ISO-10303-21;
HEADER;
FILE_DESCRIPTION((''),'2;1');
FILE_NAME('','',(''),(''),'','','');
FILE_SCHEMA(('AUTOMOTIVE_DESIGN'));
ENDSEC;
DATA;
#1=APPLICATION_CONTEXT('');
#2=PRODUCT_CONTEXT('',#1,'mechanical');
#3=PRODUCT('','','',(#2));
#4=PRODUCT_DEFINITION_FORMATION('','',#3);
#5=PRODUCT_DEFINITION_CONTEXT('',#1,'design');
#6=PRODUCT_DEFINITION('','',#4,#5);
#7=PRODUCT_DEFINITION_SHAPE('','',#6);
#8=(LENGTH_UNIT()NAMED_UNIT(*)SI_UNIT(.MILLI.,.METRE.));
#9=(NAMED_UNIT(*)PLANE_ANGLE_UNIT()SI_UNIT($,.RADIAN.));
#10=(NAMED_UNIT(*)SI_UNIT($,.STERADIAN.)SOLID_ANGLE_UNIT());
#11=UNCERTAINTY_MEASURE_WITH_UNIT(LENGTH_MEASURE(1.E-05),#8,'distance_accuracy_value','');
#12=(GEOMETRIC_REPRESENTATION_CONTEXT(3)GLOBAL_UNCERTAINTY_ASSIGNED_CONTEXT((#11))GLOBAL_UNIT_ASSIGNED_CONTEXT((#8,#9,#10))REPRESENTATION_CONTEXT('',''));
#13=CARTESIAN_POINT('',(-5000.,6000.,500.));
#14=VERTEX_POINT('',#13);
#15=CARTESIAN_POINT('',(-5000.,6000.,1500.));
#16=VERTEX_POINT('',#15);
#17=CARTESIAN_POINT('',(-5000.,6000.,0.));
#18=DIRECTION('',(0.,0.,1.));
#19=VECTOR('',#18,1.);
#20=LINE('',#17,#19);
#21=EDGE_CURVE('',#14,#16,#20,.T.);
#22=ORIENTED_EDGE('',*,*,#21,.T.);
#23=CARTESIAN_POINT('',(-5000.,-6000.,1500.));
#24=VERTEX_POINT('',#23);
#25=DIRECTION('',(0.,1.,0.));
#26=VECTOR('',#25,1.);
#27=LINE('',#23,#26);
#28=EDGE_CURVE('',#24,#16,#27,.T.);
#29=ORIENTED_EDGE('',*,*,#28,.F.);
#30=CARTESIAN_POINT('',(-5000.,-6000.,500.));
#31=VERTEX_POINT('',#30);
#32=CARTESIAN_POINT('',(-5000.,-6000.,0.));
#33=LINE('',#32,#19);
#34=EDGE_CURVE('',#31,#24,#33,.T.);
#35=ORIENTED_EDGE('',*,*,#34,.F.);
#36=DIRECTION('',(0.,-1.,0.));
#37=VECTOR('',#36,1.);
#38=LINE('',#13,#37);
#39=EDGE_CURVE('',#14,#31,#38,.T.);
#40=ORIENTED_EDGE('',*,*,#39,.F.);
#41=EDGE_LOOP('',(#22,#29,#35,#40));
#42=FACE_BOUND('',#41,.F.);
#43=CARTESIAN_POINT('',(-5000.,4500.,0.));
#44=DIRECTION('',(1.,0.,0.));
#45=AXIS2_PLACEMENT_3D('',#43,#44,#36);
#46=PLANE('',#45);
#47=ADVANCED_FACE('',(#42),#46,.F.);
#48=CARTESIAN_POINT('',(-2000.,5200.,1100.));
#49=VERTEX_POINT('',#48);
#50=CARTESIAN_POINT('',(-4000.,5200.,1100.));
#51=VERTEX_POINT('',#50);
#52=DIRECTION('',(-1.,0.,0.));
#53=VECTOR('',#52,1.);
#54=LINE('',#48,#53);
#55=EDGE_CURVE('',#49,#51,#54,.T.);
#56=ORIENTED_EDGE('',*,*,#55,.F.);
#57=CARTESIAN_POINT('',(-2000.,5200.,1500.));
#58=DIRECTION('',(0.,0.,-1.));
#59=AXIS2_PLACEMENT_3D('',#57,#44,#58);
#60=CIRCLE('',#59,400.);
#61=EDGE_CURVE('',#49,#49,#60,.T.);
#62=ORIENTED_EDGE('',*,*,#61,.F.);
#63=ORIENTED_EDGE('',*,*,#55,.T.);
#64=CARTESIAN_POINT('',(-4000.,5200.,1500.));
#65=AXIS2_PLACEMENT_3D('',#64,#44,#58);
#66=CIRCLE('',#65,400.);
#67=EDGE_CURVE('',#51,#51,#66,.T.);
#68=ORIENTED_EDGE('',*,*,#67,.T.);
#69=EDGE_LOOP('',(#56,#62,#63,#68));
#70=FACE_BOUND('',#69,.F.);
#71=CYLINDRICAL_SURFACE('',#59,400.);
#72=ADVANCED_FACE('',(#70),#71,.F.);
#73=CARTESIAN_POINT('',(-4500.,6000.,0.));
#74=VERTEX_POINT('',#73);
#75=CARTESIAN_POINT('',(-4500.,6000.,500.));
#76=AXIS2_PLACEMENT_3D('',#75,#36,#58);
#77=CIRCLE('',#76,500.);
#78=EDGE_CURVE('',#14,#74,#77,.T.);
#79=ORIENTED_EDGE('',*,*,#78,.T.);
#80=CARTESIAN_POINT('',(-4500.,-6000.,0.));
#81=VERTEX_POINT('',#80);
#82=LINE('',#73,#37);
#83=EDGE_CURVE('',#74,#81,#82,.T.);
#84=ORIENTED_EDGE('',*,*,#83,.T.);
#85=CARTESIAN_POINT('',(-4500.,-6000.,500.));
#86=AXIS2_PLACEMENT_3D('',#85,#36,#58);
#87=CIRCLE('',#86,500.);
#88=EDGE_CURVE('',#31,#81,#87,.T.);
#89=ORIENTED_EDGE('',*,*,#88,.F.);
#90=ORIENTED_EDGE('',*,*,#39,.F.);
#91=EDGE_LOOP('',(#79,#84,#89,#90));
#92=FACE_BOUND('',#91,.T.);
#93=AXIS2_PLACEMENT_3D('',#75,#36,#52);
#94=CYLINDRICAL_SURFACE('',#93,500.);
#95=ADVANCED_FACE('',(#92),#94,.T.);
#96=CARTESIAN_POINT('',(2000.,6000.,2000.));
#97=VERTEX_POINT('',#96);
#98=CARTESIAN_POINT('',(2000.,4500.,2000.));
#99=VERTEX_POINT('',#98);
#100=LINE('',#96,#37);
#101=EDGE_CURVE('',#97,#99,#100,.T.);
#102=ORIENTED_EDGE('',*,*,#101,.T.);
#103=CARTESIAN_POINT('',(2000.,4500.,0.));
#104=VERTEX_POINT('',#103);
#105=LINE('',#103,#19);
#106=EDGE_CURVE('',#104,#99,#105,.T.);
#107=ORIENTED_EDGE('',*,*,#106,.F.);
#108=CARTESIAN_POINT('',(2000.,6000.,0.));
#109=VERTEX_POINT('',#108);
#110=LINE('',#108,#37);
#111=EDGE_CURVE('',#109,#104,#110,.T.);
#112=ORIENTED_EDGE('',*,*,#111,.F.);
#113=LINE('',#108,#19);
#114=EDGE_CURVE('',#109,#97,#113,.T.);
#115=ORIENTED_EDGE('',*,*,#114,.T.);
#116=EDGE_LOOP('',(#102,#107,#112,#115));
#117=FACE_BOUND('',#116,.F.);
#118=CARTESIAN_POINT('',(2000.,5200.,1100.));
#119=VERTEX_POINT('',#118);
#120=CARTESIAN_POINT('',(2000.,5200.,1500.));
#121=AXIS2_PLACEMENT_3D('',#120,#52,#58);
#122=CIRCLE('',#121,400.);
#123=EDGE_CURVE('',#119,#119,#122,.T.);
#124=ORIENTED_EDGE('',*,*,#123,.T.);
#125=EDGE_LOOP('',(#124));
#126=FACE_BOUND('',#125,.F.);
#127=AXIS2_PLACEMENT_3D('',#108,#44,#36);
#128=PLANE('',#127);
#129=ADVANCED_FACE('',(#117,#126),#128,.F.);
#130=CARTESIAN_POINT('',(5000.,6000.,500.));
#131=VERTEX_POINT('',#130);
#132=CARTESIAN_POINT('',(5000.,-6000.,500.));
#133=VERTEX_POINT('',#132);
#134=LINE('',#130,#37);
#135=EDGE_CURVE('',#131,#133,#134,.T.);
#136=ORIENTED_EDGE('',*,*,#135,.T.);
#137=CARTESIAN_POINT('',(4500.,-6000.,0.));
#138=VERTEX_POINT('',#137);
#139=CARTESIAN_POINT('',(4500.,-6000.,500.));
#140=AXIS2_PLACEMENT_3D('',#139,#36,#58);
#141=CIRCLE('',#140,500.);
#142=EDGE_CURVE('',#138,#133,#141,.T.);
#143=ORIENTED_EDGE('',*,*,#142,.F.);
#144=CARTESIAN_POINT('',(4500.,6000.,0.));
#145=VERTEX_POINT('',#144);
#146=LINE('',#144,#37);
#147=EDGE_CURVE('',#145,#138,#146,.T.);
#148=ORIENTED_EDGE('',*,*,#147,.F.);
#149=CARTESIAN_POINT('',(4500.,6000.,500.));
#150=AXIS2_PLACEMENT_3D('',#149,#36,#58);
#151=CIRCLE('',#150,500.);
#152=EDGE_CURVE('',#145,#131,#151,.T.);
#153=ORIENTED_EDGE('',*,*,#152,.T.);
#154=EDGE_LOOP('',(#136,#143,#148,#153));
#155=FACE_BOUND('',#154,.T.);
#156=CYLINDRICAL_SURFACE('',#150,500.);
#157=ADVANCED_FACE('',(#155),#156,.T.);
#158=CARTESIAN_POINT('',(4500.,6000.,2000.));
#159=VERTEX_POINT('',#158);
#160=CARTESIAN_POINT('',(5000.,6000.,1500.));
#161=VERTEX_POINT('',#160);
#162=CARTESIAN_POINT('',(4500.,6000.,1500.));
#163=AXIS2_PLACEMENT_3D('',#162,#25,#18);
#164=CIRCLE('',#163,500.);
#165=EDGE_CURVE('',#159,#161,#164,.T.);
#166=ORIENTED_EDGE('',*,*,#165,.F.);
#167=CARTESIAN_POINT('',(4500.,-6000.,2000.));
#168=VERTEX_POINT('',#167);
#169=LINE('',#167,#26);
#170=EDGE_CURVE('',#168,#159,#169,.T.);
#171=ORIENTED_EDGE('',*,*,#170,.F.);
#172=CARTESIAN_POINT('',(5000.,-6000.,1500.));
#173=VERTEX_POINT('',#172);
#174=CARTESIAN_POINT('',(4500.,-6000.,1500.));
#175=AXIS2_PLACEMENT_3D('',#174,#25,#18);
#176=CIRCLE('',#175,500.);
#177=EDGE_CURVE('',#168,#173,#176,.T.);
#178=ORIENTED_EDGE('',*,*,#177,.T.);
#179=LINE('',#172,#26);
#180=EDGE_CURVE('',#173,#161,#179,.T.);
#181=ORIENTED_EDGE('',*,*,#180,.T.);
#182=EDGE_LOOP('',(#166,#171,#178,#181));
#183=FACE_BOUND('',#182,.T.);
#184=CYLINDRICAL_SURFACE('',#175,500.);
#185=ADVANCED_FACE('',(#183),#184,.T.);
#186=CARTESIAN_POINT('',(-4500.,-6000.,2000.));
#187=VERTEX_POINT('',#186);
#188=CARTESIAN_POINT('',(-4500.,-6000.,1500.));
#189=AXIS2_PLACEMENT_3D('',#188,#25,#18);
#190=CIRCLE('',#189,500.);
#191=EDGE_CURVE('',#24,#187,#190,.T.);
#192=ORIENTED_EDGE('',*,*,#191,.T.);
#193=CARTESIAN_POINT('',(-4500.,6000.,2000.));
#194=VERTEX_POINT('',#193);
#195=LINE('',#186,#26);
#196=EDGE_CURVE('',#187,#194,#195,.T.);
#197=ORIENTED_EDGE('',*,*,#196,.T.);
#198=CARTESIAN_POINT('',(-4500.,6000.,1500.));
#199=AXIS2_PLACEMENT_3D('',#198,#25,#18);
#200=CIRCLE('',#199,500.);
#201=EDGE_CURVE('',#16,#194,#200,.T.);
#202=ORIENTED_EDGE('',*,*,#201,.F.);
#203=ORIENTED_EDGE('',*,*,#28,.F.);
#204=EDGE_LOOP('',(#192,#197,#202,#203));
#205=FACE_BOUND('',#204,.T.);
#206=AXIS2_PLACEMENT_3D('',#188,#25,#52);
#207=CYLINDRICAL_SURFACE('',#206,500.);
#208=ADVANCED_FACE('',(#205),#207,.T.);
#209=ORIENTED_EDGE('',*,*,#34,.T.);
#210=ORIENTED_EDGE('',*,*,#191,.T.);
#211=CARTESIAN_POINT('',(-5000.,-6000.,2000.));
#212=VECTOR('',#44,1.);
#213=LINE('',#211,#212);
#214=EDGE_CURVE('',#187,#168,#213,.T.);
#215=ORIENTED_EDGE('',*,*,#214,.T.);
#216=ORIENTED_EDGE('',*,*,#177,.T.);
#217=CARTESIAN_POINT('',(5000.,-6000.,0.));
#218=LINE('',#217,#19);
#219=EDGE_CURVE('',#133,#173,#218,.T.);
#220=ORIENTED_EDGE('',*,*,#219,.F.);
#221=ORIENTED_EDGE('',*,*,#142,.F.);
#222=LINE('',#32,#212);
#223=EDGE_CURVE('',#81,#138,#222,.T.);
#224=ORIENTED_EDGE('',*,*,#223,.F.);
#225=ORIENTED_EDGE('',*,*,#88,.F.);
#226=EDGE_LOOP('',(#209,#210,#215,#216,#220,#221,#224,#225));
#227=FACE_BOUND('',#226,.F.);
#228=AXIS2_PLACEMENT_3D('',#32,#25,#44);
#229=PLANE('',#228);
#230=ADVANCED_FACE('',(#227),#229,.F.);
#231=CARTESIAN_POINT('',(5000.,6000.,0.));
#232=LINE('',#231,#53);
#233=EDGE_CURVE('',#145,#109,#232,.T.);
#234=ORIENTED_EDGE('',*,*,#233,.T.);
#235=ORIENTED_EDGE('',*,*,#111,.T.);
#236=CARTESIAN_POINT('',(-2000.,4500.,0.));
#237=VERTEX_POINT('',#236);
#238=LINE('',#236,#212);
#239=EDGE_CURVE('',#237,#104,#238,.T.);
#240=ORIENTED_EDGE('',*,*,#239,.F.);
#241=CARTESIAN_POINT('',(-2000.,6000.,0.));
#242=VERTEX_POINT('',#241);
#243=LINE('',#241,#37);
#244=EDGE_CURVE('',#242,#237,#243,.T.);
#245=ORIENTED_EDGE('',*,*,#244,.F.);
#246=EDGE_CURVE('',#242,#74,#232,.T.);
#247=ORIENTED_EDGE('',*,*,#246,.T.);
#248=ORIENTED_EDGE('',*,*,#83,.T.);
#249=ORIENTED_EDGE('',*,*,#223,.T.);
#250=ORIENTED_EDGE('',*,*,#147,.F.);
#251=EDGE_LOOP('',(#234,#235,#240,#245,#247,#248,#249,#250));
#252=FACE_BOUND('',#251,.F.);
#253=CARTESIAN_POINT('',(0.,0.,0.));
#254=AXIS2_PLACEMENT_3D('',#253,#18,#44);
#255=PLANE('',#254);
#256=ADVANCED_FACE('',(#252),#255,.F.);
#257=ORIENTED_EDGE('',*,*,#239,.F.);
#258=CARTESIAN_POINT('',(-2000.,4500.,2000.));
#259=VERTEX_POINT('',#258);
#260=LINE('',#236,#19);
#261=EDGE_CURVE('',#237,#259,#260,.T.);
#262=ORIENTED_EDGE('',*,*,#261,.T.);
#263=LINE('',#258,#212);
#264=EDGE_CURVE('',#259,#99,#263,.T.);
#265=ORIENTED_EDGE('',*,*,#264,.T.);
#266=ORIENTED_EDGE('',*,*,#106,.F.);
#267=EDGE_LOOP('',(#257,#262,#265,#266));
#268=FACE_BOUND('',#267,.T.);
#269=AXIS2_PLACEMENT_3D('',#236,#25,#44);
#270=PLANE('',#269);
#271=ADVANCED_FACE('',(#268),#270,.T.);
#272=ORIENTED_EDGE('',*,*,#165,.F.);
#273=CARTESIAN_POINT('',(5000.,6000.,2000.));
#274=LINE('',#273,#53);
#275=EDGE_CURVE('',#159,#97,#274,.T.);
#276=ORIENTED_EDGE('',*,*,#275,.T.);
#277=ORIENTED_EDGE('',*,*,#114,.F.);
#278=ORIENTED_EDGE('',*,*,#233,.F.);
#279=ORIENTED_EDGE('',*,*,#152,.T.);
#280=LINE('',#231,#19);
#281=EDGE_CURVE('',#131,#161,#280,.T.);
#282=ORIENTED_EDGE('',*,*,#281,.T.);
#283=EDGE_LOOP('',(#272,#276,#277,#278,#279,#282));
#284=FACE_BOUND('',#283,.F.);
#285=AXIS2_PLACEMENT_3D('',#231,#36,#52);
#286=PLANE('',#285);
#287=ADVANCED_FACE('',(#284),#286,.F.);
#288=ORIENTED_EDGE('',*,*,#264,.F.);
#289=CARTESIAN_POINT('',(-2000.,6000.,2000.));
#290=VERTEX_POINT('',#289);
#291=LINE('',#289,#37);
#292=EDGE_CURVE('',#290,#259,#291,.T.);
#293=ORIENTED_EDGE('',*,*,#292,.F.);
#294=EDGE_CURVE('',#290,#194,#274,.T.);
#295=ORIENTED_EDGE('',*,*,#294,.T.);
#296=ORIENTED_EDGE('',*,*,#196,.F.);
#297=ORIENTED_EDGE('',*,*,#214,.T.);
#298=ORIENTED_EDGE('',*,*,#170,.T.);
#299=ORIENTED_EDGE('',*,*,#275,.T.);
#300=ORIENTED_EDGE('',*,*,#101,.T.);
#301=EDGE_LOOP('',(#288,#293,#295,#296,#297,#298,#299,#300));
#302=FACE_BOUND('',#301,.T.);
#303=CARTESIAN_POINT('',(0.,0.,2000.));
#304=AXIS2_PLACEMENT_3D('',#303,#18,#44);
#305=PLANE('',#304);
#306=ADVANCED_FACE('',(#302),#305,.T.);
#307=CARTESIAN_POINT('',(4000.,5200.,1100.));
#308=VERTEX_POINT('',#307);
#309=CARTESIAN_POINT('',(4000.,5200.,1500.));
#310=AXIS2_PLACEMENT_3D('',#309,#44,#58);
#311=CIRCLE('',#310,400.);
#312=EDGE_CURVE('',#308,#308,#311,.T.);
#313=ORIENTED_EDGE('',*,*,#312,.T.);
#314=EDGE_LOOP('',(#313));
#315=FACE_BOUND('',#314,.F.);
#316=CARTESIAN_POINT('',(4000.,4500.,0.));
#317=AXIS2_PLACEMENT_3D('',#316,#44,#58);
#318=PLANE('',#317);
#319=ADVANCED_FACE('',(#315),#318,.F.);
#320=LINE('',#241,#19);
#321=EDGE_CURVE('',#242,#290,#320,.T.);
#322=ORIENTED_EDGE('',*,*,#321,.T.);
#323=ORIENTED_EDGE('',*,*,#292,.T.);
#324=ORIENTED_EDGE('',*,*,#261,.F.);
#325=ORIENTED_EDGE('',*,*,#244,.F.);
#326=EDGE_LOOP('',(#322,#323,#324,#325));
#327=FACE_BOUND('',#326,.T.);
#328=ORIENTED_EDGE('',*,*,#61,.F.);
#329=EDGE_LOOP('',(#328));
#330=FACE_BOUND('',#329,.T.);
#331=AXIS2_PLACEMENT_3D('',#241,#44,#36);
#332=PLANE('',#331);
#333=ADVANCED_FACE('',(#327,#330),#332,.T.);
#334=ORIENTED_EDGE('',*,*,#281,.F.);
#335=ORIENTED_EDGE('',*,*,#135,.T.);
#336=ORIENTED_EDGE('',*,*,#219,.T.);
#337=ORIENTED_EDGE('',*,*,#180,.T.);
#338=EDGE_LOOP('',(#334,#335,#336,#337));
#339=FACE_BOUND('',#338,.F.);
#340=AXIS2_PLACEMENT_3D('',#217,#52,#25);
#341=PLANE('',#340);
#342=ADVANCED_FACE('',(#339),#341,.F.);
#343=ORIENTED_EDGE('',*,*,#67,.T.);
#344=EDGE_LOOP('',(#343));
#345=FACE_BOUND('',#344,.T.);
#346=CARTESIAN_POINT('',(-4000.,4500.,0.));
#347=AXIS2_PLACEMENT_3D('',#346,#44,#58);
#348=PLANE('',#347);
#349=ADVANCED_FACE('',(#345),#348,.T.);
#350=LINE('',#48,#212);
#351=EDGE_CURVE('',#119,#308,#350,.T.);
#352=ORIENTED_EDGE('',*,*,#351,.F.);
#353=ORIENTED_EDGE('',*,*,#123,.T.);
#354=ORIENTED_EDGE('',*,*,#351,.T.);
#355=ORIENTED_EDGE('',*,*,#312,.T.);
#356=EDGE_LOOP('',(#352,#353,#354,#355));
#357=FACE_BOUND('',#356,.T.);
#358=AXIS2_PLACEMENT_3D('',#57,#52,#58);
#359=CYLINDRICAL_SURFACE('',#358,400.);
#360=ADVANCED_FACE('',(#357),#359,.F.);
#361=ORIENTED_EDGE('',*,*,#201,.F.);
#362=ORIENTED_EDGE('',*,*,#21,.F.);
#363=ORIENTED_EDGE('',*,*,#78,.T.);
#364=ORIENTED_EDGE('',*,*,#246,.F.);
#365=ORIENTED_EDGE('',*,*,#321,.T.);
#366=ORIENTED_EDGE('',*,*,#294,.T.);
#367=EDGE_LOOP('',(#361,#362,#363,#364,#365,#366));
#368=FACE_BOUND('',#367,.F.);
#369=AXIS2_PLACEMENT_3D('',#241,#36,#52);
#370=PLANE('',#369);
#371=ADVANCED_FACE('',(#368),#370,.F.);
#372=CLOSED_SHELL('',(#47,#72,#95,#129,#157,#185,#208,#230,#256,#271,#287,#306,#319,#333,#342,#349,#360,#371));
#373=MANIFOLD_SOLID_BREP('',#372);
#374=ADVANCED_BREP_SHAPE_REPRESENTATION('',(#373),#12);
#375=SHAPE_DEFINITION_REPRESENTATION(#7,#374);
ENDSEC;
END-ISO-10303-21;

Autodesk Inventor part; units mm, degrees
ref_plane "YZ Plane" through (0, 0, 0) normal (1, 0, 0) x (0, 1, 0)
ref_plane "XZ Plane" through (0, 0, 0) normal (0, 1, 0) x (-1, 0, 0)
ref_plane "XY Plane" through (0, 0, 0) normal (0, 0, 1) x (1, 0, 0)
sketch "Skizze1" plane through (0, 0, 0) normal (0, 0, 1) x (1, 0, 0)
  line L0 (-7000, 0) -> (7000, 0) construction
  line L1 (0, -8400) -> (0, 8400) construction
  line L2 (-5000, -6000) -> (5000, -6000)
  line L3 (5000, -6000) -> (5000, 6000)
  line L4 (5000, 6000) -> (-5000, 6000)
  line L5 (-5000, 6000) -> (-5000, -6000)
  line L6 (-5000, -6000) -> (5000, 6000) construction
  line L7 (5000, -6000) -> (-5000, 6000) construction
  line L8 (5000, 6000) -> (2000, 6000)
  line L9 (5000, 4500) -> (5000, 6000)
  line L10 (-5000, 6000) -> (-5000, 6000)
  line L11 (-5000, 6000) -> (-5000, 4500)
  line L12 (5000, 6000) -> (2000, 6000)
  line L13 (2000, 6000) -> (2000, 4500)
  line L14 (5000, 4500) -> (5000, 6000)
  line L15 (-5000, 6000) -> (-2000, 6000)
  line L16 (-2000, 6000) -> (-2000, 4500)
  line L17 (-5000, 4500) -> (-5000, 6000)
  line L18 (-2000, 4500) -> (2000, 4500)
  point P0 (0, 0)
  dimension "d5" = 12000
  dimension "d6" = 3000
  dimension "d7" = 3000
extrude "Extrusion1" add sketch "Skizze1" along normal blind 2000 contours L5 L4 L16 L18 L13 L3 L2
sketch "Skizze2" plane through (-2000, 4500, 0) normal (1, 0, 0) x (0, 0, -1)
  circle A0 centre (-1500, 700) radius 400
  line L0 (0, -10500) -> (0, 1500) construction
  line L1 (0, 0) -> (-2000, 0) construction
  point P0 (0, -4500)
  point P1 (-1000, 0)
extrude "Extrusion2" cut sketch "Skizze2" against normal blind 2000
extrude "Extrusion3" cut sketch "Skizze2" along normal blind 6000
sketch "Skizze3" plane through (-5000, -6000, 0) normal (-1, 0, 0) x (0, 0, 1)
  point P0 (0, 6000)
fillet "Rundung1" radius 500 4 edges at (-5000, 0, 0) (-5000, 0, 2000) (5000, 0, 0) (5000, 0, 2000)
